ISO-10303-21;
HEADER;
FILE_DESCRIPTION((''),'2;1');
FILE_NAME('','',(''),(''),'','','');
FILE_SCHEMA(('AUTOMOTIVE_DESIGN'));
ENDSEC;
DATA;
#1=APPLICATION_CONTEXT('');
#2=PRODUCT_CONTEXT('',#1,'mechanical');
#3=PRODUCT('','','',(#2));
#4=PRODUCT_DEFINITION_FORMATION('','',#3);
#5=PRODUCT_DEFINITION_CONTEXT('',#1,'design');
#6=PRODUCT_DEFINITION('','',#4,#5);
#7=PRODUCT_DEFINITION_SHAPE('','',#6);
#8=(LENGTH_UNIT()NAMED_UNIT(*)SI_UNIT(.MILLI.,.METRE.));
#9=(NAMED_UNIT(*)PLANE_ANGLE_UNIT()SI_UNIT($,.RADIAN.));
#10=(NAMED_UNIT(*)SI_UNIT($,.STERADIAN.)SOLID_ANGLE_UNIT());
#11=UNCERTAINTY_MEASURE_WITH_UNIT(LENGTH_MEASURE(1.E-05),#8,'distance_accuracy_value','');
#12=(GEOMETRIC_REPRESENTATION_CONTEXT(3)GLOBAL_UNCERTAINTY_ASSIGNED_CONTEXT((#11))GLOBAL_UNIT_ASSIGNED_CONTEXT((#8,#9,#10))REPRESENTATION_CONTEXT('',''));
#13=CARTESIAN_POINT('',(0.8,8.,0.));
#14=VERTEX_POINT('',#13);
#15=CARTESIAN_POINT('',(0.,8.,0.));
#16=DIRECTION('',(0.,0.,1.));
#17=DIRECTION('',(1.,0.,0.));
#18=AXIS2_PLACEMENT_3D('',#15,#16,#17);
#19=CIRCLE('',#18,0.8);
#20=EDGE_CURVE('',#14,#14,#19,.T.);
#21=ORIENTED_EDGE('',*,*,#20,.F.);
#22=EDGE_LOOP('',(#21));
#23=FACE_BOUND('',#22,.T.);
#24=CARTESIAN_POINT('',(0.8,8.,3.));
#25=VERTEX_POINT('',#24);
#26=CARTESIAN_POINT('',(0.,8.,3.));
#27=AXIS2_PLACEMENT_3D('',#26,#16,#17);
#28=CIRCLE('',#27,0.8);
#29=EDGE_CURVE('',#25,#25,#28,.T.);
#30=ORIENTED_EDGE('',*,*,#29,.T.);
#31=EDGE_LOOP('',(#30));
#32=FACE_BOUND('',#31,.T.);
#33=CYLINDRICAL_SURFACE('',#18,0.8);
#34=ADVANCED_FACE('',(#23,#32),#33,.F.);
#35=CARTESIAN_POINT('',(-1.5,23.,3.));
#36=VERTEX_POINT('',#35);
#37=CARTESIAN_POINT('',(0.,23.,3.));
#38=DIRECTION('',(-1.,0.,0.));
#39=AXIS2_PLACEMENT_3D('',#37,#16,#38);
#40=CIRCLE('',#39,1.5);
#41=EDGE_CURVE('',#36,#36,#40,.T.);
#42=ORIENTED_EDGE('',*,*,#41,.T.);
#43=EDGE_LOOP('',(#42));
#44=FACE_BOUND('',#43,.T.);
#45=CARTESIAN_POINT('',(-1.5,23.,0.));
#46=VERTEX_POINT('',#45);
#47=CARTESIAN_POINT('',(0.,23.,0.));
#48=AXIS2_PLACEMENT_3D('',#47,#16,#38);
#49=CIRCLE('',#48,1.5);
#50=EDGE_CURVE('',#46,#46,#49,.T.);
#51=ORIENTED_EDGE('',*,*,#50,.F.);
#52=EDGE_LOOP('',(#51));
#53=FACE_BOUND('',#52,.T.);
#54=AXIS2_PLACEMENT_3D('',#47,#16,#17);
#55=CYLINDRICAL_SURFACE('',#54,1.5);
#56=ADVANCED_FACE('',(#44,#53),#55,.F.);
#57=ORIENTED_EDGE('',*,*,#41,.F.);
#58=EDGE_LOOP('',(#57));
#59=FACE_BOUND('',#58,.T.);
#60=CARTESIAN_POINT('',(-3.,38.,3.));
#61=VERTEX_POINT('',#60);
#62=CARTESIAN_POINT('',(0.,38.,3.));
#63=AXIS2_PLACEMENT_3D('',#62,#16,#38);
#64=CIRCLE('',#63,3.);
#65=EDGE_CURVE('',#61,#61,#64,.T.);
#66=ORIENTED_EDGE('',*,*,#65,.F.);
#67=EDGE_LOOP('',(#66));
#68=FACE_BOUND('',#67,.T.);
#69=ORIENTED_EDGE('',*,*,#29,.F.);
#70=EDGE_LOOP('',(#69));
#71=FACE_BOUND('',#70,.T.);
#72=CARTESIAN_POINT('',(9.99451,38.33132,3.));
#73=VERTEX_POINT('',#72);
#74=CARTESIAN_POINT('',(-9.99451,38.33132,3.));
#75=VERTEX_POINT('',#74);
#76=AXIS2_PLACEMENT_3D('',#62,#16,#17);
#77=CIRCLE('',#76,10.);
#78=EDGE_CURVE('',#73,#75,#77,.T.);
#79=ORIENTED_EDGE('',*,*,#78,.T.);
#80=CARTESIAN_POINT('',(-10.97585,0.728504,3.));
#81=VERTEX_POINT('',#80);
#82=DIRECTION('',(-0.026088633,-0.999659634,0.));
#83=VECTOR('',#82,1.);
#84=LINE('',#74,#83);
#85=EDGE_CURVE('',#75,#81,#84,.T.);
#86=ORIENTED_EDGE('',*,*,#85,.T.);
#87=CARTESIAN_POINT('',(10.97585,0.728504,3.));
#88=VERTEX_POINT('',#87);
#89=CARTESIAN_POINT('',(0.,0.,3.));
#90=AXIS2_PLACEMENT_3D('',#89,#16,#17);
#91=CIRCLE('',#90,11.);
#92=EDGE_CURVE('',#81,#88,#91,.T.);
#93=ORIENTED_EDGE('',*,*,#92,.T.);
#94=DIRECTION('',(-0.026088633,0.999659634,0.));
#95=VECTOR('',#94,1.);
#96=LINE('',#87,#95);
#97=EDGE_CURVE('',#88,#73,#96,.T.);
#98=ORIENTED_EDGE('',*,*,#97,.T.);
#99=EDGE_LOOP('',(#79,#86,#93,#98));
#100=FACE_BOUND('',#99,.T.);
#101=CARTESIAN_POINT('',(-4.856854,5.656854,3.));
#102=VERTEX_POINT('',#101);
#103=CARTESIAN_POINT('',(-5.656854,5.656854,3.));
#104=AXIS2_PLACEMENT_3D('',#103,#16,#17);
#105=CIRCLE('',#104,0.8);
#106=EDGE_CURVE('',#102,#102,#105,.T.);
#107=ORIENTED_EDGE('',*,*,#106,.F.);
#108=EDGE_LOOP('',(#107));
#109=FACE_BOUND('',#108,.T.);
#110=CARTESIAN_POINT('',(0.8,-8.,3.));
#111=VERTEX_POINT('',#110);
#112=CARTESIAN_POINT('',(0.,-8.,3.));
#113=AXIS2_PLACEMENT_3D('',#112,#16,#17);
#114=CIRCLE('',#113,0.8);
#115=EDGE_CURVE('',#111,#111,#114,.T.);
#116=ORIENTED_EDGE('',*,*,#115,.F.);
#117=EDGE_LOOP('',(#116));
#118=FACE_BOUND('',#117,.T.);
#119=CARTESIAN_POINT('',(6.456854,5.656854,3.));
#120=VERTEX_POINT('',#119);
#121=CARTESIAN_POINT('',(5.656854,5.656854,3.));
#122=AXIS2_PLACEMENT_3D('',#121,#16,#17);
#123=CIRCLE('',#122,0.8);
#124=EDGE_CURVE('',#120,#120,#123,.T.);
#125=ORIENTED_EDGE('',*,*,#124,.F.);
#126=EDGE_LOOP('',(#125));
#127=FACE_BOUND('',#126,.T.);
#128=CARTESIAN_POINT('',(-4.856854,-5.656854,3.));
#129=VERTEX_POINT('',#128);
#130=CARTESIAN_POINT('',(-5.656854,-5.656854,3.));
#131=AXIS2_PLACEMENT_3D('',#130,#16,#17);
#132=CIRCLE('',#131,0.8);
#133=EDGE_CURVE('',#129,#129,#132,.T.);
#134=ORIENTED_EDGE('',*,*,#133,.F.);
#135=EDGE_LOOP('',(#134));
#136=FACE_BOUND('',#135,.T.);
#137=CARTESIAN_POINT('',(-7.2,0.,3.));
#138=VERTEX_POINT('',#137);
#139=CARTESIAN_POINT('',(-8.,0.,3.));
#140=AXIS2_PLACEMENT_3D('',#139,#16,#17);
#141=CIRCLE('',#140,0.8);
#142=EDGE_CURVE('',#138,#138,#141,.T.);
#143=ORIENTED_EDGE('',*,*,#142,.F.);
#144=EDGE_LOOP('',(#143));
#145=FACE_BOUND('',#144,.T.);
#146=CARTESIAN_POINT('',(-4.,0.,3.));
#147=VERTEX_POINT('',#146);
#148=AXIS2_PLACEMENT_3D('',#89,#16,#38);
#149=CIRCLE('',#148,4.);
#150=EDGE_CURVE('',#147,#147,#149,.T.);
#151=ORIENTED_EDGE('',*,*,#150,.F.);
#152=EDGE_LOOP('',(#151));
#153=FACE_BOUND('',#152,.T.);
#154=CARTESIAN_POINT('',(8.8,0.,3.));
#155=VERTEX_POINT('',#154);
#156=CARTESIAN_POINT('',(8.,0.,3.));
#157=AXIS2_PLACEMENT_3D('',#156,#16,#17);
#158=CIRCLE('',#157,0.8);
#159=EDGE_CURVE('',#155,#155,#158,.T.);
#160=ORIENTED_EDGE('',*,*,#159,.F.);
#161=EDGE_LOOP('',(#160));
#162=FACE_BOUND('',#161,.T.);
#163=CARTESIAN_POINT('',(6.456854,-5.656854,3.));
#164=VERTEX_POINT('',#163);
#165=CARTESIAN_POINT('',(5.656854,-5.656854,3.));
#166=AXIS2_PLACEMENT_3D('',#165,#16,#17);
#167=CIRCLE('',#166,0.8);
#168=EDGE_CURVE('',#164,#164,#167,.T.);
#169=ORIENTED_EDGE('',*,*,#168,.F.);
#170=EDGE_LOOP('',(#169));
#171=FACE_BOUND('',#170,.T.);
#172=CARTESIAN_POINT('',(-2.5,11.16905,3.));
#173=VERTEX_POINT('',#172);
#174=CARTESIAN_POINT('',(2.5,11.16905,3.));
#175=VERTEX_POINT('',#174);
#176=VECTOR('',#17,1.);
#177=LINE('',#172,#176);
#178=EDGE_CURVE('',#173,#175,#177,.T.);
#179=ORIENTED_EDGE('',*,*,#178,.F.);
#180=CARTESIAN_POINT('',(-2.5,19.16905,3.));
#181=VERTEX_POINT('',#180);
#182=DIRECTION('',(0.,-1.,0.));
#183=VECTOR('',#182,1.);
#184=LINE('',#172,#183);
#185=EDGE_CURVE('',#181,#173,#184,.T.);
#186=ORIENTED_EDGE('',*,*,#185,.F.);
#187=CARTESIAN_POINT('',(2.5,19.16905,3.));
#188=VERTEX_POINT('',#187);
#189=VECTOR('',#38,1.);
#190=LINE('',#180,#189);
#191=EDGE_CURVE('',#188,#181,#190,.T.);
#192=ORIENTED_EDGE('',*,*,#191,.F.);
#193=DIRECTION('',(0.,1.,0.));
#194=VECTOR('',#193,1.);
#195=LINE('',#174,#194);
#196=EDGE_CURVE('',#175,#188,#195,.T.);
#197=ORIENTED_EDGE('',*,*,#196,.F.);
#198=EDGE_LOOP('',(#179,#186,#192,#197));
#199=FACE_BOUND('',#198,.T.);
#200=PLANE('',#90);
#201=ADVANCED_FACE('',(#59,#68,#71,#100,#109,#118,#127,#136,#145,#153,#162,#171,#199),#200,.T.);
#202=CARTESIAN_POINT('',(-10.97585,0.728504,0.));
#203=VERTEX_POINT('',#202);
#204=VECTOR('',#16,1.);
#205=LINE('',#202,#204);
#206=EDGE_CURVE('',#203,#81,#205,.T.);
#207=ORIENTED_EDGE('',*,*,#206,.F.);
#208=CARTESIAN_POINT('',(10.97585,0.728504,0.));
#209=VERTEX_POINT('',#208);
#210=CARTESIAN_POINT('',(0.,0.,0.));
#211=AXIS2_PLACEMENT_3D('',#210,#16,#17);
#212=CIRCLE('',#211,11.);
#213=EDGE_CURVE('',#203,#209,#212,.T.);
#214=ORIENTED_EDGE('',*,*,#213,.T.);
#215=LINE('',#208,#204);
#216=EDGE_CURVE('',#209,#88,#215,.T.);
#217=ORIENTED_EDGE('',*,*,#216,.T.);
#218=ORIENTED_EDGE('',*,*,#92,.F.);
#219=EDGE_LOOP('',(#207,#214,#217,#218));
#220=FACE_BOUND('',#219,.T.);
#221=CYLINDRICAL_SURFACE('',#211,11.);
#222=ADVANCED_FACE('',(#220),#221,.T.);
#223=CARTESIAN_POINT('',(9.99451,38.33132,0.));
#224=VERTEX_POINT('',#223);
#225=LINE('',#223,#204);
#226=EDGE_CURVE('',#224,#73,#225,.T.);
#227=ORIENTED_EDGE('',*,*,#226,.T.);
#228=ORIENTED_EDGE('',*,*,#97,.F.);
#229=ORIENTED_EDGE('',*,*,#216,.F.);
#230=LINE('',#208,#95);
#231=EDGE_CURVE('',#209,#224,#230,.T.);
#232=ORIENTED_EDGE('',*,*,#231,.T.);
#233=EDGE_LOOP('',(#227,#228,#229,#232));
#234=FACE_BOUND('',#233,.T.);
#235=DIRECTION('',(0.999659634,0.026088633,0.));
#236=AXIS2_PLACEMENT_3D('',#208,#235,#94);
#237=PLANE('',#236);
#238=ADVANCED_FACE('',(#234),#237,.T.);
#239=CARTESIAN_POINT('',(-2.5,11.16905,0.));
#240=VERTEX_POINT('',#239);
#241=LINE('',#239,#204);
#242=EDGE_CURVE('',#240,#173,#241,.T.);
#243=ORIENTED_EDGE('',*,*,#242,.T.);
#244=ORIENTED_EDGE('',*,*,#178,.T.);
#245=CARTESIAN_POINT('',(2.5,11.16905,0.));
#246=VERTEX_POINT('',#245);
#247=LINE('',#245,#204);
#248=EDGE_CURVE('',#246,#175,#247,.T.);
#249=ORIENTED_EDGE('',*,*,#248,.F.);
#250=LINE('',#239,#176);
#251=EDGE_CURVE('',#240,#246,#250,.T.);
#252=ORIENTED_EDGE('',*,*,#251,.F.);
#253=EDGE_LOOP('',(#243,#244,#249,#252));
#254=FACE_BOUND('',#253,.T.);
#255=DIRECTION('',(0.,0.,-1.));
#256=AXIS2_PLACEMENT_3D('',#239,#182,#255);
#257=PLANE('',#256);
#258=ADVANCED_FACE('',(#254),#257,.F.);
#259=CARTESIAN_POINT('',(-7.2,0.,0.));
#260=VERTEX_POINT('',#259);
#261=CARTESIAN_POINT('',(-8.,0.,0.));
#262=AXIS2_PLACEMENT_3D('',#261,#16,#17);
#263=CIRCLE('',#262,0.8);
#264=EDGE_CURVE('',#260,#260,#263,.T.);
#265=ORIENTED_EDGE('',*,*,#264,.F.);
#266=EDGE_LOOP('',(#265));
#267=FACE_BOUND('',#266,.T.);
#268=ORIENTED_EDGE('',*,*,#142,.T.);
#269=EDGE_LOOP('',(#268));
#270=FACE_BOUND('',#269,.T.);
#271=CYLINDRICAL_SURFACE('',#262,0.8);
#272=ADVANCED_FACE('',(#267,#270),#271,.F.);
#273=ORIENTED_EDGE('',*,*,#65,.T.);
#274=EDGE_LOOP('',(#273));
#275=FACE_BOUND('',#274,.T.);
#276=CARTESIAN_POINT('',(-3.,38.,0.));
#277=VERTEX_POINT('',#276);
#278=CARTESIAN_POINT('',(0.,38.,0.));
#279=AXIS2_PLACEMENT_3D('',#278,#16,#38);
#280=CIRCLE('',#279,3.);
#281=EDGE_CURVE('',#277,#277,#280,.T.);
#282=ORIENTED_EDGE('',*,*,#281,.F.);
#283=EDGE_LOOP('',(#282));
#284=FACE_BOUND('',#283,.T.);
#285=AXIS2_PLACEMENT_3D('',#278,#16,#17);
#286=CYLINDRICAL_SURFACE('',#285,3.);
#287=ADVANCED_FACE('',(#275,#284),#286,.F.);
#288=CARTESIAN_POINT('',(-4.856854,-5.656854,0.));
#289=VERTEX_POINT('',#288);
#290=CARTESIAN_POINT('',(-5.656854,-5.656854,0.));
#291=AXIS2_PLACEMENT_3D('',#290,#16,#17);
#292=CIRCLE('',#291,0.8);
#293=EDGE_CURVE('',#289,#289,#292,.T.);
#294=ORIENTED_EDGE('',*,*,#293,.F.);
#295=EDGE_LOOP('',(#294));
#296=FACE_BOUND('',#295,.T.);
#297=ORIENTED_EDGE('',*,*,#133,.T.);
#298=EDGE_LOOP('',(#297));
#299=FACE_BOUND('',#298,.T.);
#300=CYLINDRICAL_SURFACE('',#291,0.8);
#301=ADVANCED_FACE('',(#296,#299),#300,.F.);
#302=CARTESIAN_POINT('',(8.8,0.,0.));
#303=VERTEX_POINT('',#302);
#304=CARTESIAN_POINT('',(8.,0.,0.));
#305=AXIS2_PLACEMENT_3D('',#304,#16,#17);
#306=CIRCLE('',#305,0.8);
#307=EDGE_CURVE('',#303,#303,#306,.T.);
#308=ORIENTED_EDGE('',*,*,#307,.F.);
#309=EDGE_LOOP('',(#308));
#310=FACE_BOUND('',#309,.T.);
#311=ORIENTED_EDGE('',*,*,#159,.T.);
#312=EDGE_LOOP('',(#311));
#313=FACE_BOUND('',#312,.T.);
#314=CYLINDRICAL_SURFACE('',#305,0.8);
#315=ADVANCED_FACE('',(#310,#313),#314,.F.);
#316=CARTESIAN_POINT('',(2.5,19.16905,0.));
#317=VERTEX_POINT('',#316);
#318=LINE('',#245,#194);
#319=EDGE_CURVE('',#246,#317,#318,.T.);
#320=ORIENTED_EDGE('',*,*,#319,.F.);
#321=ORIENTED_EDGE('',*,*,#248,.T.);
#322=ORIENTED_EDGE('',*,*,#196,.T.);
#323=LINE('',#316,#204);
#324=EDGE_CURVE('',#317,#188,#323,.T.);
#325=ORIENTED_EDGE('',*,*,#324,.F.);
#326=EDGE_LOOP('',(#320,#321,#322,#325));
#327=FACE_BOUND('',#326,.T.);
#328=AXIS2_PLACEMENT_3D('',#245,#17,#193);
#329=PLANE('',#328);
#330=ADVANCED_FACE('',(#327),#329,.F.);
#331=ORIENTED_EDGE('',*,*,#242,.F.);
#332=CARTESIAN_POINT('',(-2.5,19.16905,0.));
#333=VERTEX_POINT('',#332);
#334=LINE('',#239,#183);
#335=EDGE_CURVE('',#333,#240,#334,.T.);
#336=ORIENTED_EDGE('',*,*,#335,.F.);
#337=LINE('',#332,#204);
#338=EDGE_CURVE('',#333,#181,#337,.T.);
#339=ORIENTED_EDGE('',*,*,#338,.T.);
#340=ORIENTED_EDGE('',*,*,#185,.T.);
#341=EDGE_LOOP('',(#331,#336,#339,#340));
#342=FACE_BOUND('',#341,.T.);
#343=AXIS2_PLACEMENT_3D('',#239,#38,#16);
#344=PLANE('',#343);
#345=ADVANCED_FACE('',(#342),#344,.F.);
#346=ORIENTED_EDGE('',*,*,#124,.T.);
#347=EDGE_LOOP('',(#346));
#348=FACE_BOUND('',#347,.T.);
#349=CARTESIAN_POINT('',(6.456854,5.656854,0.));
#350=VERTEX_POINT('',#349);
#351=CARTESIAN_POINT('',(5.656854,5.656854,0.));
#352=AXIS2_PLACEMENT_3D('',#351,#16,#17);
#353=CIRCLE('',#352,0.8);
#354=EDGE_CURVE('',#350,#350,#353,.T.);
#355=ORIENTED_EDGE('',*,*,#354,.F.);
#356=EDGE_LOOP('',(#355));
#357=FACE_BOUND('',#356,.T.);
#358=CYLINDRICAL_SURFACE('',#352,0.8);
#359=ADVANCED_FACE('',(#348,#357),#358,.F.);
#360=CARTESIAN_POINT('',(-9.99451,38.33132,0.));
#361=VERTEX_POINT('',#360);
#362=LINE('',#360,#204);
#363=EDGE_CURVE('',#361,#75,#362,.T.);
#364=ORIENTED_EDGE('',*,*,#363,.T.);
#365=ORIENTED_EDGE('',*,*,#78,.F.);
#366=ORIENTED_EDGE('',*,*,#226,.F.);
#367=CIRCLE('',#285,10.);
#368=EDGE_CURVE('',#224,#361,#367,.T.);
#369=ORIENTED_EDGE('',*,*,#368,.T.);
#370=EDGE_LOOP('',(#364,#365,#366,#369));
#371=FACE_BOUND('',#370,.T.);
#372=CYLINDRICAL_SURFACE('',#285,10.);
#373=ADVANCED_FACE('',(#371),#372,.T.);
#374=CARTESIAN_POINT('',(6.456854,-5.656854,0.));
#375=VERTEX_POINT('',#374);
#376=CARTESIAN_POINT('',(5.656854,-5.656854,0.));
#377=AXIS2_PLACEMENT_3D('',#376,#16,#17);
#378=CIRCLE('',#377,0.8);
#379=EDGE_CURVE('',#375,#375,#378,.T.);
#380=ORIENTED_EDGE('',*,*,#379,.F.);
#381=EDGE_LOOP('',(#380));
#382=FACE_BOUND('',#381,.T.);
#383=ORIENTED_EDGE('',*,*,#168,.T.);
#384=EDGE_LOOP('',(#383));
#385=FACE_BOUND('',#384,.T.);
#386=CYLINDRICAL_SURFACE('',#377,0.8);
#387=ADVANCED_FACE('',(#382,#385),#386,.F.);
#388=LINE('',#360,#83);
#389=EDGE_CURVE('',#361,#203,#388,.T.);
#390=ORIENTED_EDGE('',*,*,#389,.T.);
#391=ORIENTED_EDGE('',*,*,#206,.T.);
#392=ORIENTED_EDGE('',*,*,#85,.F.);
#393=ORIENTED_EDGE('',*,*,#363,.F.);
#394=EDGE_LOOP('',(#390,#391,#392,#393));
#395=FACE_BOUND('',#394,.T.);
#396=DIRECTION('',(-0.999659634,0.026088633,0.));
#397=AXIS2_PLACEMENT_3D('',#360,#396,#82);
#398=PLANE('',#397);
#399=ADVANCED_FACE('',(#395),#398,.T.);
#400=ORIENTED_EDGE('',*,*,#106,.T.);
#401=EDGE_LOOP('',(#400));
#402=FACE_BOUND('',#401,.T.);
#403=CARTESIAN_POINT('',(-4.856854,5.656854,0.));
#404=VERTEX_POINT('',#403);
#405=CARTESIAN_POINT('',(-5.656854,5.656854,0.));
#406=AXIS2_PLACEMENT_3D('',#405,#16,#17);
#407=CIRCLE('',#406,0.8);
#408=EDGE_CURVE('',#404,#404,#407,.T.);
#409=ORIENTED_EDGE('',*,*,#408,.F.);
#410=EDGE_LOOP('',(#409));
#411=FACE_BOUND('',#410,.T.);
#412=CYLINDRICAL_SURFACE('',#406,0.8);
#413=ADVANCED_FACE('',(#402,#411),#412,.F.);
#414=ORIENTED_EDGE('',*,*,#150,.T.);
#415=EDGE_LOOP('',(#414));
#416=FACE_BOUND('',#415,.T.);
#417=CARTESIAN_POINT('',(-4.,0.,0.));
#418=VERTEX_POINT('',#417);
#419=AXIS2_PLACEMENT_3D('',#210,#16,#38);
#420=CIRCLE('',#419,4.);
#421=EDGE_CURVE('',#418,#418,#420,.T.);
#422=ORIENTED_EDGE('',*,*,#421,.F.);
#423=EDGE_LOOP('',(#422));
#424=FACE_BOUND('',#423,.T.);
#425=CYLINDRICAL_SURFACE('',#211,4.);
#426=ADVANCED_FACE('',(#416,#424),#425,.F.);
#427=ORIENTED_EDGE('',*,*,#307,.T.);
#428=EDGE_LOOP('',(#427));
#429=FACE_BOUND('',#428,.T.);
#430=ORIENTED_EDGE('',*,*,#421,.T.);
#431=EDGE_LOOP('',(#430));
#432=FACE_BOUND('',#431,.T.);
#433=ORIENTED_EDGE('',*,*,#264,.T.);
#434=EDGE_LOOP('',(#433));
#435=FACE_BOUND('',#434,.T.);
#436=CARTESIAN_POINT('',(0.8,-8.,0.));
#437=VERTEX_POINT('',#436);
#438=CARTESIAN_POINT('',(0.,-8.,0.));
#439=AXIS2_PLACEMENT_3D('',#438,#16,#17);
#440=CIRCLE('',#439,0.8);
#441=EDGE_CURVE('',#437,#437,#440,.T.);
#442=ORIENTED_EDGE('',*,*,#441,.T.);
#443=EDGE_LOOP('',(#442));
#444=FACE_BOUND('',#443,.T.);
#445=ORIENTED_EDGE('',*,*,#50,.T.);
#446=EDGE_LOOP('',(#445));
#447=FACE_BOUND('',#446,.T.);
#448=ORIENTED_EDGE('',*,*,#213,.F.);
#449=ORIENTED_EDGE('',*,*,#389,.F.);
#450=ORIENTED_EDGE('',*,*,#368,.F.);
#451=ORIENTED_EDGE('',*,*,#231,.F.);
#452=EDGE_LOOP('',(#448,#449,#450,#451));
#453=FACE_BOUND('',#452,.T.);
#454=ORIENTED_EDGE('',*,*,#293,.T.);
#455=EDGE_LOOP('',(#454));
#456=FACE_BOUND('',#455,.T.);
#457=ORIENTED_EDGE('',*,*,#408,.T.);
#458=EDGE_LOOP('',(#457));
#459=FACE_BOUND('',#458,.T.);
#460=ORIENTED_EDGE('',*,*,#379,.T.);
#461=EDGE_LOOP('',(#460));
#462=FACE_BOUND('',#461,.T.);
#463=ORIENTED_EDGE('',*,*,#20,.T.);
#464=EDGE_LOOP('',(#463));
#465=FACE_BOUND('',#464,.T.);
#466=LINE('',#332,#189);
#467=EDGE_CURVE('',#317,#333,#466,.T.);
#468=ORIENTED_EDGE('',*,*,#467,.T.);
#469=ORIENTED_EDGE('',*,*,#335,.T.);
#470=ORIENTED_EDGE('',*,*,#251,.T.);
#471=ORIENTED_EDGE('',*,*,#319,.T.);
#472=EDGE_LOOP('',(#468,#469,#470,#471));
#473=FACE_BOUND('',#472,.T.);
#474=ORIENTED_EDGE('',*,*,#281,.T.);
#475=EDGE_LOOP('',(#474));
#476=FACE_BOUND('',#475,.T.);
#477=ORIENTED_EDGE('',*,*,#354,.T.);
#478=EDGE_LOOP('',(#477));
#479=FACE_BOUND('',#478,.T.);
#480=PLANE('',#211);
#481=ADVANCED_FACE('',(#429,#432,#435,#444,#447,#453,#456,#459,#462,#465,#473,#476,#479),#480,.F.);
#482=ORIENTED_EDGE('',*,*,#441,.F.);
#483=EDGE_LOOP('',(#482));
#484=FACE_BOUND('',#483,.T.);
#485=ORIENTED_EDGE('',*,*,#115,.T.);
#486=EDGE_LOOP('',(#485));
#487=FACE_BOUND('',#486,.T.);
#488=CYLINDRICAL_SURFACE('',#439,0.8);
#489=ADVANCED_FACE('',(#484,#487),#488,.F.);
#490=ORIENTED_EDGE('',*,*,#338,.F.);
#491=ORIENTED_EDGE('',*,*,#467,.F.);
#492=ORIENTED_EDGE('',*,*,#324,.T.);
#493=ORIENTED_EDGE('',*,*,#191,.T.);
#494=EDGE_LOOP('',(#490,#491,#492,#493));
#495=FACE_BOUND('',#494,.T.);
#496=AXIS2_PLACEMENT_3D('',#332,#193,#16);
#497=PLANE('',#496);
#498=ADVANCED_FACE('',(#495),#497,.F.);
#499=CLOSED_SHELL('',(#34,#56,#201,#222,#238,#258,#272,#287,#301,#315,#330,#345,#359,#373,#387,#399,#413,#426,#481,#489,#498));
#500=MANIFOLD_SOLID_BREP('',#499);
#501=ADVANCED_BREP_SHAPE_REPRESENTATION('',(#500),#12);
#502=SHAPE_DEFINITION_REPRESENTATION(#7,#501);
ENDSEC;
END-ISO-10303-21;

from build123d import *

# Parameters (mm, degrees)
IZIM1_R                     = 0.8
IZIM1_R_2                   = 3
IZIM1_R_3                   = 4
IZIM1_R_4                   = 1.5
IZIM1_W                     = 5
IZIM1_H                     = 8
Y_KSEKLIK_EKSTR_ZYON1_DEPTH = 3


with BuildPart() as part:
    # Çizim1 → Yükseklik-Ekstrüzyon1 (new body)
    with BuildSketch(Plane.XY.offset(3)):
        with BuildLine():
            Line((10.975849913, 0.728504421), (9.994509837, 38.331320273))
            ThreePointArc((9.994509837, 38.331320273), (0, 48), (-9.994509837, 38.331320273))
            Line((-9.994509837, 38.331320273), (-10.975849913, 0.728504421))
            ThreePointArc((-10.975849913, 0.728504421), (0, -11), (10.975849913, 0.728504421))
        make_face()
        with Locations((0, 8)):
            Circle(IZIM1_R, mode=Mode.SUBTRACT)
        with Locations((5.656854249, 5.656854249)):
            Circle(IZIM1_R, mode=Mode.SUBTRACT)
        with Locations((8, 0)):
            Circle(IZIM1_R, mode=Mode.SUBTRACT)
        with Locations((5.656854249, -5.656854249)):
            Circle(IZIM1_R, mode=Mode.SUBTRACT)
        with Locations((0, -8)):
            Circle(IZIM1_R, mode=Mode.SUBTRACT)
        with Locations((-5.656854249, -5.656854249)):
            Circle(IZIM1_R, mode=Mode.SUBTRACT)
        with Locations((-8, 0)):
            Circle(IZIM1_R, mode=Mode.SUBTRACT)
        with Locations((0, 38)):
            Circle(IZIM1_R_2, mode=Mode.SUBTRACT)
        Circle(IZIM1_R_3, mode=Mode.SUBTRACT)
        with Locations((0, 23)):
            Circle(IZIM1_R_4, mode=Mode.SUBTRACT)
        with Locations((-5.656854249, 5.656854249)):
            Circle(IZIM1_R, mode=Mode.SUBTRACT)
        with Locations((0, 15.169050412)):
            Rectangle(IZIM1_W, IZIM1_H, mode=Mode.SUBTRACT)
    extrude(amount=-Y_KSEKLIK_EKSTR_ZYON1_DEPTH)


solid = part.part
